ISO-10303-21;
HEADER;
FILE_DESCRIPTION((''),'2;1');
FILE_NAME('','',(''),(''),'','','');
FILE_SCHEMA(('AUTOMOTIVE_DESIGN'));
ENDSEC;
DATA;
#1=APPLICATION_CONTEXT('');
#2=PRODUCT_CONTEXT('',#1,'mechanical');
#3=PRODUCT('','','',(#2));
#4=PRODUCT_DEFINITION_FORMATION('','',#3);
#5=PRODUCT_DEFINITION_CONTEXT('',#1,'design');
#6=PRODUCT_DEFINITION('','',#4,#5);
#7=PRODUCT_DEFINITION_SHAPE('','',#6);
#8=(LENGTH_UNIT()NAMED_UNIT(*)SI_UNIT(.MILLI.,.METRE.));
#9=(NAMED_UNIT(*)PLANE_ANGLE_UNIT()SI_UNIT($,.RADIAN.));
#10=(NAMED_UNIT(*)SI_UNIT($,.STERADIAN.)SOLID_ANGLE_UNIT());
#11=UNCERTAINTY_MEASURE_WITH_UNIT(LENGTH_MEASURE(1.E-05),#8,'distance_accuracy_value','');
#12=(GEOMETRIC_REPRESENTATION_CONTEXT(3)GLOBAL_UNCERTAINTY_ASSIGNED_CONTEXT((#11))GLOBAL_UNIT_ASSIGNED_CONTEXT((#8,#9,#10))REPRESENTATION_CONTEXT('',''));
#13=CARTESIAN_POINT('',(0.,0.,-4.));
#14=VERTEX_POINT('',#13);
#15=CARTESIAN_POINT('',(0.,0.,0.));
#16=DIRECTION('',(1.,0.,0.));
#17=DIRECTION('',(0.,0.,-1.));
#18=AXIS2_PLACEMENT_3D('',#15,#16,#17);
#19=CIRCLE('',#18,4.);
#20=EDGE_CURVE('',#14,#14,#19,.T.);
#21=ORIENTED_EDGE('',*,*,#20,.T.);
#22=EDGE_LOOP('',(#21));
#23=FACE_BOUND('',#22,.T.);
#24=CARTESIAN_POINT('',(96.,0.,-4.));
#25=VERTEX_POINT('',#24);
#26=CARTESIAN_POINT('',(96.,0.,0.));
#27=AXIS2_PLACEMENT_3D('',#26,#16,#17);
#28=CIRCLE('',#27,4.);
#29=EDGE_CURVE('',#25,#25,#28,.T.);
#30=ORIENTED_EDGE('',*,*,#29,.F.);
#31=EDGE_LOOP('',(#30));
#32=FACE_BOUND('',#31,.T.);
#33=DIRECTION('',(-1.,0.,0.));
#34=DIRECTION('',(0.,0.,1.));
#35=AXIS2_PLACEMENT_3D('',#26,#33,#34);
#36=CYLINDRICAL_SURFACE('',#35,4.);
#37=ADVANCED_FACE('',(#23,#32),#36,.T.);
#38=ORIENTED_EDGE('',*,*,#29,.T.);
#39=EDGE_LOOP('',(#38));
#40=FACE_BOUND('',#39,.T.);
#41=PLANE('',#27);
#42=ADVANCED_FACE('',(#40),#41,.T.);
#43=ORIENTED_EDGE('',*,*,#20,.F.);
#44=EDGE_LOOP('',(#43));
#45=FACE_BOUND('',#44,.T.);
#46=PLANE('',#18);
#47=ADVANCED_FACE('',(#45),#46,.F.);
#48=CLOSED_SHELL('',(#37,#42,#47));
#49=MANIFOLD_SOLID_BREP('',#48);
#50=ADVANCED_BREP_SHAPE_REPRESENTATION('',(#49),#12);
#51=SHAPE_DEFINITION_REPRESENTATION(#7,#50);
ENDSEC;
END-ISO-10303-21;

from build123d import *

# Parameters (mm, degrees)
SKETCH1_R           = 4
BOSS_EXTRUDE1_DEPTH = 96


with BuildPart() as part:
    # Sketch1 → Boss-Extrude1 (new body)
    with BuildSketch(Plane(origin=(0, 0, 0), x_dir=(0, 0, -1), z_dir=(1, 0, 0))):
        Circle(SKETCH1_R)
    extrude(amount=BOSS_EXTRUDE1_DEPTH)


solid = part.part
